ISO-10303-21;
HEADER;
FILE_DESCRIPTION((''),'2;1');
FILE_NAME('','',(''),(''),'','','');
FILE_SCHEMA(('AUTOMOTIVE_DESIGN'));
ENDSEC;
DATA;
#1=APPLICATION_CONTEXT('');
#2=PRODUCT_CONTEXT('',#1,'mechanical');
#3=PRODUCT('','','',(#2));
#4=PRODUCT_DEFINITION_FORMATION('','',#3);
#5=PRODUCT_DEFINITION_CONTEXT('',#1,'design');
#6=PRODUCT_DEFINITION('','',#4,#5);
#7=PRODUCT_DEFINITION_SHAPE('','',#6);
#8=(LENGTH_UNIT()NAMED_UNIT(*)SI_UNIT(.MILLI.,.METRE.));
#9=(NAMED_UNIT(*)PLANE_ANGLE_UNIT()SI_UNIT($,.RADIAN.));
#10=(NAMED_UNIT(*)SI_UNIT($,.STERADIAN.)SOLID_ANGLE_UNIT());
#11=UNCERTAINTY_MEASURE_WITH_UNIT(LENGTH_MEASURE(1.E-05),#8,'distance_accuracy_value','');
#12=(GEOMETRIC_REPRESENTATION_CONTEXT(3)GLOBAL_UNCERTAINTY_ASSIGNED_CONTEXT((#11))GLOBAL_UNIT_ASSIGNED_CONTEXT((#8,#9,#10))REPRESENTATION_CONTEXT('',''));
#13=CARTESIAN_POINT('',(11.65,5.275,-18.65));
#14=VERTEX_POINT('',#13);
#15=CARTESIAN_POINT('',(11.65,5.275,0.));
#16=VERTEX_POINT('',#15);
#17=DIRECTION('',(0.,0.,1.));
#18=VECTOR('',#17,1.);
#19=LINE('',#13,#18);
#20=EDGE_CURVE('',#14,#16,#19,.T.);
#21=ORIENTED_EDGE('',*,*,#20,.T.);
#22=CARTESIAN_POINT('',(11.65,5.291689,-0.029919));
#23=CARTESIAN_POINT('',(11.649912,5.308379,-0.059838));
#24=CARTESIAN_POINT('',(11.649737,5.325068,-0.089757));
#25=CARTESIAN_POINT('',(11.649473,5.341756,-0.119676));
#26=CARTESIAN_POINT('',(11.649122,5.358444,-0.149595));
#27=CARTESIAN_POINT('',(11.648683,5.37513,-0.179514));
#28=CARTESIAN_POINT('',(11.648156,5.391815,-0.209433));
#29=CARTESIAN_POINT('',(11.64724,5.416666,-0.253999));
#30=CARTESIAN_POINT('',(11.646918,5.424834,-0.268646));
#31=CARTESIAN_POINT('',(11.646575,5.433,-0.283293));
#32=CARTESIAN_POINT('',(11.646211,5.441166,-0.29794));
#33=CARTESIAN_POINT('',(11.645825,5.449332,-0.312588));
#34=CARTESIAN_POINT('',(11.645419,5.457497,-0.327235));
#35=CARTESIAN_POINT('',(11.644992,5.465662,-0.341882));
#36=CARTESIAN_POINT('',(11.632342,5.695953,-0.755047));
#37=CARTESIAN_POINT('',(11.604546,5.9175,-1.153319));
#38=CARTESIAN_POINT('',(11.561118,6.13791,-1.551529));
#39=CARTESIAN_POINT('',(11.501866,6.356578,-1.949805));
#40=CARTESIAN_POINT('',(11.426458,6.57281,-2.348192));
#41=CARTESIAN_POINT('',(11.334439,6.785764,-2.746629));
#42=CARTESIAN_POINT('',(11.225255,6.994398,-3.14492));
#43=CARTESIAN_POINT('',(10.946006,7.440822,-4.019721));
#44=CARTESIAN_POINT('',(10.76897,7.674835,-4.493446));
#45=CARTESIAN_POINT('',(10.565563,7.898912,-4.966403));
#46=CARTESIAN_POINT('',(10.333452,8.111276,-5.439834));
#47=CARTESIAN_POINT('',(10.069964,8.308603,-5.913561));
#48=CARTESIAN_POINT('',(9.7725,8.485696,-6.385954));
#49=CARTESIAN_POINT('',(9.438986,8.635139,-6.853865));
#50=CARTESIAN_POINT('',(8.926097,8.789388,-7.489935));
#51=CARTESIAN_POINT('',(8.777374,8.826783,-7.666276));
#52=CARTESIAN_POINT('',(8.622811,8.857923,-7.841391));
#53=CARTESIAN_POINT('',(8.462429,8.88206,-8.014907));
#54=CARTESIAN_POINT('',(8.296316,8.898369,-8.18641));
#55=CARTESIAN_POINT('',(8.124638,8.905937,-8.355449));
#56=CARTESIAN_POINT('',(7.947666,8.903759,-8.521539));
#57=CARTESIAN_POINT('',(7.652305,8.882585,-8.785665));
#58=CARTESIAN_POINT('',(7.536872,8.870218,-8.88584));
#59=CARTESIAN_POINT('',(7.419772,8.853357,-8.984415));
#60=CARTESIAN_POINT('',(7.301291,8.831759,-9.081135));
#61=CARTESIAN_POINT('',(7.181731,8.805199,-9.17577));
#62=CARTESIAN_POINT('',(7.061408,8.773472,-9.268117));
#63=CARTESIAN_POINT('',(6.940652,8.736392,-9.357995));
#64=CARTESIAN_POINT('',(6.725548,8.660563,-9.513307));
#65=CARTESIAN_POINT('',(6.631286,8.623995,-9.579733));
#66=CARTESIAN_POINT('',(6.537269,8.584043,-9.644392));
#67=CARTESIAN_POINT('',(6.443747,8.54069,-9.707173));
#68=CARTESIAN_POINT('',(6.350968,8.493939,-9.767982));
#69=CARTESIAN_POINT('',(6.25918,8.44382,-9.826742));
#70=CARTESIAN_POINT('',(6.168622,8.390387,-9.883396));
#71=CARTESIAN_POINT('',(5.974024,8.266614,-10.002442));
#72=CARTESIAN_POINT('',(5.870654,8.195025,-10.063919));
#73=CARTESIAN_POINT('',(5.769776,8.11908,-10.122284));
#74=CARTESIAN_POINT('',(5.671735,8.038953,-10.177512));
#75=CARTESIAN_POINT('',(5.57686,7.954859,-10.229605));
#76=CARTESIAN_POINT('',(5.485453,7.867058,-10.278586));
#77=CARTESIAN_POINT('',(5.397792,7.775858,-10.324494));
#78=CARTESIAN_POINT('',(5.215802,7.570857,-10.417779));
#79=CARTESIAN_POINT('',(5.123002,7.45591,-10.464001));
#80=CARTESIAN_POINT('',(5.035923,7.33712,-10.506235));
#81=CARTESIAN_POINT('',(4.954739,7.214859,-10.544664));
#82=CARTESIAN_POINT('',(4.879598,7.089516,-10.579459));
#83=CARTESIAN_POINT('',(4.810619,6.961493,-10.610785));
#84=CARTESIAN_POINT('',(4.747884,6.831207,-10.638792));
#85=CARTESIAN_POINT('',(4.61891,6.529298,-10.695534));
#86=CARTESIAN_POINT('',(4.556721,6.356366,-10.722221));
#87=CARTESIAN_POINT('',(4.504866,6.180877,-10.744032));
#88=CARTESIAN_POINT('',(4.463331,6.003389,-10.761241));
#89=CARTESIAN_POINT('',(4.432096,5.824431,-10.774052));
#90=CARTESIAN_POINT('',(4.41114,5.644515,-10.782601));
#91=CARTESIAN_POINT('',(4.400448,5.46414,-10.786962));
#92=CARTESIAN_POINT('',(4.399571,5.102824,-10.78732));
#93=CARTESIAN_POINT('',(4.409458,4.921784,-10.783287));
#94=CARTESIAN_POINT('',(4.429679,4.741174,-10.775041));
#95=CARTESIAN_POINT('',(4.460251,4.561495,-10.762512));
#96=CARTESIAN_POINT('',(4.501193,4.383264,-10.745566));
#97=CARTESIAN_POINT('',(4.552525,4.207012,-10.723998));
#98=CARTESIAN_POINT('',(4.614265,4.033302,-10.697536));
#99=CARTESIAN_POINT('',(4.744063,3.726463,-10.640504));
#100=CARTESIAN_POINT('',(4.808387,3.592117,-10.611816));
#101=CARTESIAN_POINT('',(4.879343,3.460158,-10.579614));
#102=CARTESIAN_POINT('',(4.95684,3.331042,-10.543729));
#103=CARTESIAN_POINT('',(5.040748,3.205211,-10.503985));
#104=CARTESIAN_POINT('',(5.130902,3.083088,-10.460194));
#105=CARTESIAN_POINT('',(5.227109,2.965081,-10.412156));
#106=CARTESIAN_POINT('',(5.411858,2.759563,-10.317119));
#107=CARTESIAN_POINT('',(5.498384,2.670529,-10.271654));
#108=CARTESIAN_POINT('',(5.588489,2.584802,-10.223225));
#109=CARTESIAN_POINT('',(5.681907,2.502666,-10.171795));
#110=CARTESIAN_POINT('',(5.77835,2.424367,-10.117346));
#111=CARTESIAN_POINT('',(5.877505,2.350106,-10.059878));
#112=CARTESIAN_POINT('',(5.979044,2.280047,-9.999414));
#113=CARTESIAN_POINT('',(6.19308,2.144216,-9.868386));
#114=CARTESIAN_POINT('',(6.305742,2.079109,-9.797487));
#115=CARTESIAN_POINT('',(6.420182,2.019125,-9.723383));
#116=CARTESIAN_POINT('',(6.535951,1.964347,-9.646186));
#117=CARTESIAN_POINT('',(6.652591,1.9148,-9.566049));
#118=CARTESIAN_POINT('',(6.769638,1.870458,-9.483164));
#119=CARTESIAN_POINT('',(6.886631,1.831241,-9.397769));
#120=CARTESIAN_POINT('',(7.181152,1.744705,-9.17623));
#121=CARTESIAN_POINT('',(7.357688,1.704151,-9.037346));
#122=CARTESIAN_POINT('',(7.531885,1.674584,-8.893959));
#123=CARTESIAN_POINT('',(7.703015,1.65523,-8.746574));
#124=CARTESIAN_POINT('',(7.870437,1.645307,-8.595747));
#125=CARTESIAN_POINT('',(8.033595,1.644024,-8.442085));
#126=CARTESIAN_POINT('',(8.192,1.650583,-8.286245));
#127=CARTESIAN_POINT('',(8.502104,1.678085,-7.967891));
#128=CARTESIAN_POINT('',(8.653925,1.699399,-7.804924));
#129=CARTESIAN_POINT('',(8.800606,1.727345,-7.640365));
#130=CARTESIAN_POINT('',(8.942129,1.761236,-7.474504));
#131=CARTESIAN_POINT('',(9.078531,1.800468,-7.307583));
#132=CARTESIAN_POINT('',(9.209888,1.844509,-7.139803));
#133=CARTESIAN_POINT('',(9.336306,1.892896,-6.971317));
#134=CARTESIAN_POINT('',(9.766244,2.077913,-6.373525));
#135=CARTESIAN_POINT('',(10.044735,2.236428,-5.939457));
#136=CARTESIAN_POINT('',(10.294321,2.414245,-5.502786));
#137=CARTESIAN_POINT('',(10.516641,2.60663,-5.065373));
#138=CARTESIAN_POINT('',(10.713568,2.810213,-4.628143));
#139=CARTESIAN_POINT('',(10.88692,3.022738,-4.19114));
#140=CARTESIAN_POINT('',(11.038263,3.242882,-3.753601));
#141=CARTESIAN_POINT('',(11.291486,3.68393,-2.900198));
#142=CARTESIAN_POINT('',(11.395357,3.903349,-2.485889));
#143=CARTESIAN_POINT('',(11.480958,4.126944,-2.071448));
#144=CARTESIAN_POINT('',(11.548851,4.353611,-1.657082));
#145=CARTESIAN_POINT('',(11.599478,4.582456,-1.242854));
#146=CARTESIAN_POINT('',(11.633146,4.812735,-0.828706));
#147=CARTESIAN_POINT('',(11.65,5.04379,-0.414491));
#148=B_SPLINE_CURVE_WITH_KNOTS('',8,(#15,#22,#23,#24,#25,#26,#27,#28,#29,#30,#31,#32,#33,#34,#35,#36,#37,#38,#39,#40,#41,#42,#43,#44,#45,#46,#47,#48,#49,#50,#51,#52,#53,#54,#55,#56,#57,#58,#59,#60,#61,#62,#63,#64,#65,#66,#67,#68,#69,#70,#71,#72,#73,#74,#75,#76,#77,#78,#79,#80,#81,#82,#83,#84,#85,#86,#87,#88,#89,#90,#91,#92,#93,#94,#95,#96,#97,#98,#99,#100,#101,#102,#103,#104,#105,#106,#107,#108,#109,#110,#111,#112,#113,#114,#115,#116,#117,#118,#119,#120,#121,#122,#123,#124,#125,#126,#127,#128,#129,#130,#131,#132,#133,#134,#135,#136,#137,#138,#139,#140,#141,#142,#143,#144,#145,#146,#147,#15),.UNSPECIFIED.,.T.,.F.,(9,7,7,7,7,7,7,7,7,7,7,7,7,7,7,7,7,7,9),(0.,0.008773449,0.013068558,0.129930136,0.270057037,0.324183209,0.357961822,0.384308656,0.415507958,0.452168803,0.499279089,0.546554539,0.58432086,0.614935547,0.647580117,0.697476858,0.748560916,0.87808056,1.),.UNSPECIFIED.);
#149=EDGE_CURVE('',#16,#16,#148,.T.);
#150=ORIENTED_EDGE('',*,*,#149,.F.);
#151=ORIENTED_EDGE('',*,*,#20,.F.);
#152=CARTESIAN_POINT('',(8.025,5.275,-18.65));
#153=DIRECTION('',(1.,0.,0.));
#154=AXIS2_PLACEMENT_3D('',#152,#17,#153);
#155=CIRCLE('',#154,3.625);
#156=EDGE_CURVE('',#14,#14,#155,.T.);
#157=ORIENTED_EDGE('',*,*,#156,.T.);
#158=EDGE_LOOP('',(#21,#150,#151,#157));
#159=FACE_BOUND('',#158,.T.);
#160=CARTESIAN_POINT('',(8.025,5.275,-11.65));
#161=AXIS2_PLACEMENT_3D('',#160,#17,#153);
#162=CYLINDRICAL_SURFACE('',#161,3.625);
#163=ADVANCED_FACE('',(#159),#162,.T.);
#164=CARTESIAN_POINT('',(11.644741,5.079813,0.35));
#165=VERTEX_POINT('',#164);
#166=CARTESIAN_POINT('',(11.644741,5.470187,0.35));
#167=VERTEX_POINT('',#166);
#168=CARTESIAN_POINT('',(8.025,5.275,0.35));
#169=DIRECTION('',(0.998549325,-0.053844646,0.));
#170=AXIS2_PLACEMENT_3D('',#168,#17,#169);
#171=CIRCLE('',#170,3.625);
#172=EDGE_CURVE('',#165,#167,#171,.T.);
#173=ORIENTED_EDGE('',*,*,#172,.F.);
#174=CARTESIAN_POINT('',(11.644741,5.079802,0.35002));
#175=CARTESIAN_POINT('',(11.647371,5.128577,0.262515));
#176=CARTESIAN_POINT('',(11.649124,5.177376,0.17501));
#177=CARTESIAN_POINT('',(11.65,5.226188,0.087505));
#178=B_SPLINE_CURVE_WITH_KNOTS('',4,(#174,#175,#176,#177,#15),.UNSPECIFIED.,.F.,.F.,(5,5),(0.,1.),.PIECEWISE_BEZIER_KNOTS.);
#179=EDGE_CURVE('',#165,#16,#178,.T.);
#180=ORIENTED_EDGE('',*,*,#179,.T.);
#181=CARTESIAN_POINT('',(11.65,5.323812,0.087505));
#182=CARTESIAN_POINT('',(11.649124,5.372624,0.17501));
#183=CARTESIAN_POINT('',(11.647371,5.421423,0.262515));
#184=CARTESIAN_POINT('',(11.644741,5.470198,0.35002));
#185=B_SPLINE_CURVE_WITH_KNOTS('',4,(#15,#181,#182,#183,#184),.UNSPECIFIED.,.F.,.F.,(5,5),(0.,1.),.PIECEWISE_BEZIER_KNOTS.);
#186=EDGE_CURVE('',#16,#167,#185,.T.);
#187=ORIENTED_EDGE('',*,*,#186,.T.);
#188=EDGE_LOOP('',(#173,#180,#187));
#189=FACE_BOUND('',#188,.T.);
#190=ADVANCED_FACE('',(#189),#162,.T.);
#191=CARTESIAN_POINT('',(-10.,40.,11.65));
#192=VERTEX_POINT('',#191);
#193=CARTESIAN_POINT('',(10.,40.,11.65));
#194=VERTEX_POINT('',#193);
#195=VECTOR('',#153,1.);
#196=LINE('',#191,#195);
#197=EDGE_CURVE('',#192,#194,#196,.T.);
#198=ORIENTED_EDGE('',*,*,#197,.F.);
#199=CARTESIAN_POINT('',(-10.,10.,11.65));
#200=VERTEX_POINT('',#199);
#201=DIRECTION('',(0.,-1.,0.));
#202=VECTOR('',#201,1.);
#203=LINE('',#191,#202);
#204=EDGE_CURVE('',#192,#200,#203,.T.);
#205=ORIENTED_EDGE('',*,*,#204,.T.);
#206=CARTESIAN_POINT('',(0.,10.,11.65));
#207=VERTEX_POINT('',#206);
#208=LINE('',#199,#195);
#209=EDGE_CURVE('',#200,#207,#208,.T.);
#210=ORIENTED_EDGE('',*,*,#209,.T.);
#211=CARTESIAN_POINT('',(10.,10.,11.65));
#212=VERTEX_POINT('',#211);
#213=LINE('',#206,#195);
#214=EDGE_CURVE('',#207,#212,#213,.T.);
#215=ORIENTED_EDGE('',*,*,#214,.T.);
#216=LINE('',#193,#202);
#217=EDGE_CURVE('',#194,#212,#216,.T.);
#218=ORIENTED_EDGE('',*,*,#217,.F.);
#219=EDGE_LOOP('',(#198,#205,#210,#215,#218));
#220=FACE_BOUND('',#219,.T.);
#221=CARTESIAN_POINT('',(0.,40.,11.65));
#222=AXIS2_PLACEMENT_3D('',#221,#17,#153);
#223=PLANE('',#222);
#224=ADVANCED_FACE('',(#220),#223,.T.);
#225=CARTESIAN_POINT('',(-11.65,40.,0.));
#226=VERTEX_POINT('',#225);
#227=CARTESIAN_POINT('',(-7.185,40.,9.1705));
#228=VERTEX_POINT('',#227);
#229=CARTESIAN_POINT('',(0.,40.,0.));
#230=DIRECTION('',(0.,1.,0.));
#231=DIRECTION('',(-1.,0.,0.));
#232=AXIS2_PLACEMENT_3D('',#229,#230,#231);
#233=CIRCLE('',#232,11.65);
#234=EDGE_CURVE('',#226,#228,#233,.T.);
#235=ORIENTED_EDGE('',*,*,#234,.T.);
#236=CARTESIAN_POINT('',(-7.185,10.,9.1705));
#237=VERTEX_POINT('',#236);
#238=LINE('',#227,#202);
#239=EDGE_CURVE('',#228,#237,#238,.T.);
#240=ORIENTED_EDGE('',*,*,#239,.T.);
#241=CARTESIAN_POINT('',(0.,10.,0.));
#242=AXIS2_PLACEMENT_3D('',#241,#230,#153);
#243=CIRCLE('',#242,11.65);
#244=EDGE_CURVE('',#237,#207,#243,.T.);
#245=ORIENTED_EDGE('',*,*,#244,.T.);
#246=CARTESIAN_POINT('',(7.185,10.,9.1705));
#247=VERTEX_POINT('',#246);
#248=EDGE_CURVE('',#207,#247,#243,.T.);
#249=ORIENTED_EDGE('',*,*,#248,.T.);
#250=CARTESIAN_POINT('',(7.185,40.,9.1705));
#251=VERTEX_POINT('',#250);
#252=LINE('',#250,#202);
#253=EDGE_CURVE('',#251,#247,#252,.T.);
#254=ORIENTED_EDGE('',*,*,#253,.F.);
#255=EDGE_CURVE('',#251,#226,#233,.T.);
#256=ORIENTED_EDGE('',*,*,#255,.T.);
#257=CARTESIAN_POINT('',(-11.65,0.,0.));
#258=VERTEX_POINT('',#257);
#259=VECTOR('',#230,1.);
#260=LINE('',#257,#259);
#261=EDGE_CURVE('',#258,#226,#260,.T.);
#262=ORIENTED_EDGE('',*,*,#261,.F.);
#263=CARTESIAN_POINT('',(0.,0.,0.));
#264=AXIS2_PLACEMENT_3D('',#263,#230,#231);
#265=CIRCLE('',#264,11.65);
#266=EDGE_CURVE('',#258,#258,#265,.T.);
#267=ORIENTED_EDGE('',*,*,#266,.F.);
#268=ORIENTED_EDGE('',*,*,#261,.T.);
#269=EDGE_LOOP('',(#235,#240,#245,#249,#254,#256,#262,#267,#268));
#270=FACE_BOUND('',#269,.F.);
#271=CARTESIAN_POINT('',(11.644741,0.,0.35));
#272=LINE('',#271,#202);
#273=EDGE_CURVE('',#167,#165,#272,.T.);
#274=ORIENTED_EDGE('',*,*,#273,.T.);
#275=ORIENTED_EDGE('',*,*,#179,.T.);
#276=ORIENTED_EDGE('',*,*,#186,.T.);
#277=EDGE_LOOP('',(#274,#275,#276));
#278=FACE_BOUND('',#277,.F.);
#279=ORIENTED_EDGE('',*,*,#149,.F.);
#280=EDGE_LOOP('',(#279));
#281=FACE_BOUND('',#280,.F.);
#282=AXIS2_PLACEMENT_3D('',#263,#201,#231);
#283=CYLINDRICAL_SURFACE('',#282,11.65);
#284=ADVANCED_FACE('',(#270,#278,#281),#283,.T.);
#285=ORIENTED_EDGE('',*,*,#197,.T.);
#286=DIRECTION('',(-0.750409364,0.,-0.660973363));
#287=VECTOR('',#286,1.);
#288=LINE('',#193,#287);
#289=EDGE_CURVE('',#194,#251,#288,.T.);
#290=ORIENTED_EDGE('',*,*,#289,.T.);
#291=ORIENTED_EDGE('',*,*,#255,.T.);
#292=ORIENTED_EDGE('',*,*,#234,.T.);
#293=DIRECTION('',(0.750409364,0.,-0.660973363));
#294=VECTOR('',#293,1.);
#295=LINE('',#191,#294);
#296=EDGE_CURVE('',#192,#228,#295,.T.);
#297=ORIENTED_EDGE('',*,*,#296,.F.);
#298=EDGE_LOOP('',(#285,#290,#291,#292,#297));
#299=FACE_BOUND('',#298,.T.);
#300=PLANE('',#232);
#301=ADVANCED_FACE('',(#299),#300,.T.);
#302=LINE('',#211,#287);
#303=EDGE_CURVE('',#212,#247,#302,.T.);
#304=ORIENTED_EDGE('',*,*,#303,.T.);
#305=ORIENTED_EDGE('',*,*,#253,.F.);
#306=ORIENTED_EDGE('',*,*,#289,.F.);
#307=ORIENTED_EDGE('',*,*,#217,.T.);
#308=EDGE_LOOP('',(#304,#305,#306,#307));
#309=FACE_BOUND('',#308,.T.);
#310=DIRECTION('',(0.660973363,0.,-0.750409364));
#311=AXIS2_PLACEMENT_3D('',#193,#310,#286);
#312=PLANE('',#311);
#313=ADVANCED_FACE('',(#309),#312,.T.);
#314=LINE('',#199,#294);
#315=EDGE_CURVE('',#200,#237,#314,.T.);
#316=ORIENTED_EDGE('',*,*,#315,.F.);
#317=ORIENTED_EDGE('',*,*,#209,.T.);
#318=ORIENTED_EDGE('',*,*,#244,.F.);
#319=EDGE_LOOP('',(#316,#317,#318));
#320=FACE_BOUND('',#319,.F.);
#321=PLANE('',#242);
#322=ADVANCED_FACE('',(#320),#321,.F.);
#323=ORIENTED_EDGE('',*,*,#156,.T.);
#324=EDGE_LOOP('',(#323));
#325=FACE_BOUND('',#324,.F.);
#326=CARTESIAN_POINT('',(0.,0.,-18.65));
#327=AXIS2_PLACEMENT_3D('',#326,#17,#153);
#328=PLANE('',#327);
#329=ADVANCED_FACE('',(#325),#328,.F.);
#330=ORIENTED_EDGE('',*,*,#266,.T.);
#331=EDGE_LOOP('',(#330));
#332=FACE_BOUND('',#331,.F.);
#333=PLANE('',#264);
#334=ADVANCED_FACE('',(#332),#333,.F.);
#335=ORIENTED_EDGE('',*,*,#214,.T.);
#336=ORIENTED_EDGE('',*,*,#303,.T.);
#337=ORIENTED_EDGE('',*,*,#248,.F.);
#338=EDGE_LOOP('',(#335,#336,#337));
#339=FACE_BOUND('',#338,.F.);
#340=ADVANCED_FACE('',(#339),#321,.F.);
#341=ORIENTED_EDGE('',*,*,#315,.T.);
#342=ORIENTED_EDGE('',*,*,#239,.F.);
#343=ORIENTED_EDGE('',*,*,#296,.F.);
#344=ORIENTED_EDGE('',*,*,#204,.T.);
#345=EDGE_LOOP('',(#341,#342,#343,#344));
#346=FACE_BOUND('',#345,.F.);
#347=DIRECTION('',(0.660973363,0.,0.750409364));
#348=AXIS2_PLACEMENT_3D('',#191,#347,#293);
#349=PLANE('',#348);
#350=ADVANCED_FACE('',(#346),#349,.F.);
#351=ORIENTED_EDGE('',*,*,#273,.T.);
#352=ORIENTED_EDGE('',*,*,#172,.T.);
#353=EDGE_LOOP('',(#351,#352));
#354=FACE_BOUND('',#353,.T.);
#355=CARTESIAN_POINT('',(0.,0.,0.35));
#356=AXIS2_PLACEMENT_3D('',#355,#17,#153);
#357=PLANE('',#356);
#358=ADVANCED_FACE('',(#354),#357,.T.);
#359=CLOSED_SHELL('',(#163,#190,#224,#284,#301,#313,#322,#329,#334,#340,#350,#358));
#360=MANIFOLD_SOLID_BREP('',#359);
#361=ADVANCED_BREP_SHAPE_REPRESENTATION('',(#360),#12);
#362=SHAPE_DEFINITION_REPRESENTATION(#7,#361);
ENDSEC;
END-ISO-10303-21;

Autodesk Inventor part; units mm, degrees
ref_plane "YZ Plane" through (0, 0, 0) normal (1, 0, 0) x (0, 1, 0)
ref_plane "XZ Plane" through (0, 0, 0) normal (0, 1, 0) x (-1, 0, 0)
sketch "Szkic1" plane through (0, 0, 0) normal (0, 1, 0) x (-1, 0, 0)
  circle A0 centre (0, 0) radius 11.65
  dimension "d0" = 23.3
extrude "Wyciągnięcie proste1" add sketch "Szkic1" along normal blind 40
sketch "Szkic2" plane through (0, 40, 0) normal (0, 1, 0) x (1, 0, 0)
  circle A0 centre (0, 0) radius 11.65 projected
  line L0 (0, -11.65) -> (-10, -11.65)
  arc A1 (-7.185, -9.1705) -> (0, -11.65) centre (0, 0) ccw
  line L1 (0, -11.65) -> (-7.185, -11.65)
  line L2 (0, -9.1705) -> (-7.185, -9.1705)
  line L3 (0, -11.65) -> (0, -5.8216)
  line L4 (-10, -11.65) -> (-7.185, -9.1705)
  line L5 (0, -11.65) -> (10, -11.65)
  line L6 (0, -9.1705) -> (7.185, -9.1705)
  line L7 (10, -11.65) -> (7.185, -9.1705)
  dimension "d3" = 10
  dimension "d6" = 7.185
extrude "Wyciągnięcie proste2" add sketch "Szkic2" against normal blind 30 contours A0 L0 L4 | L7 L5 A0
ref_plane "Płaszczyzna konstrukcyjna1" through (0, 0, -11.65) normal (0, 0, 1) x (1, 0, 0)
sketch "Szkic3" plane through (0, 0, -11.65) normal (0, 0, 1) x (1, 0, 0)
  circle A0 centre (8.025, 5.275) radius 3.625
  line L0 (11.65, 0) -> (-11.65, 0) projected
  line L1 (11.65, 8.9) -> (-11.65, 8.9)
  circle A1 centre (8.025, 5.275) radius 2
  point P0 (0, 0)
  dimension "d10" = 8.9
  dimension "d11" = 4
extrude "Wyciągnięcie proste3" add sketch "Szkic3" along normal blind 12 and the other way blind 7 contours A0 | A1
properties part number "Pomp]"
